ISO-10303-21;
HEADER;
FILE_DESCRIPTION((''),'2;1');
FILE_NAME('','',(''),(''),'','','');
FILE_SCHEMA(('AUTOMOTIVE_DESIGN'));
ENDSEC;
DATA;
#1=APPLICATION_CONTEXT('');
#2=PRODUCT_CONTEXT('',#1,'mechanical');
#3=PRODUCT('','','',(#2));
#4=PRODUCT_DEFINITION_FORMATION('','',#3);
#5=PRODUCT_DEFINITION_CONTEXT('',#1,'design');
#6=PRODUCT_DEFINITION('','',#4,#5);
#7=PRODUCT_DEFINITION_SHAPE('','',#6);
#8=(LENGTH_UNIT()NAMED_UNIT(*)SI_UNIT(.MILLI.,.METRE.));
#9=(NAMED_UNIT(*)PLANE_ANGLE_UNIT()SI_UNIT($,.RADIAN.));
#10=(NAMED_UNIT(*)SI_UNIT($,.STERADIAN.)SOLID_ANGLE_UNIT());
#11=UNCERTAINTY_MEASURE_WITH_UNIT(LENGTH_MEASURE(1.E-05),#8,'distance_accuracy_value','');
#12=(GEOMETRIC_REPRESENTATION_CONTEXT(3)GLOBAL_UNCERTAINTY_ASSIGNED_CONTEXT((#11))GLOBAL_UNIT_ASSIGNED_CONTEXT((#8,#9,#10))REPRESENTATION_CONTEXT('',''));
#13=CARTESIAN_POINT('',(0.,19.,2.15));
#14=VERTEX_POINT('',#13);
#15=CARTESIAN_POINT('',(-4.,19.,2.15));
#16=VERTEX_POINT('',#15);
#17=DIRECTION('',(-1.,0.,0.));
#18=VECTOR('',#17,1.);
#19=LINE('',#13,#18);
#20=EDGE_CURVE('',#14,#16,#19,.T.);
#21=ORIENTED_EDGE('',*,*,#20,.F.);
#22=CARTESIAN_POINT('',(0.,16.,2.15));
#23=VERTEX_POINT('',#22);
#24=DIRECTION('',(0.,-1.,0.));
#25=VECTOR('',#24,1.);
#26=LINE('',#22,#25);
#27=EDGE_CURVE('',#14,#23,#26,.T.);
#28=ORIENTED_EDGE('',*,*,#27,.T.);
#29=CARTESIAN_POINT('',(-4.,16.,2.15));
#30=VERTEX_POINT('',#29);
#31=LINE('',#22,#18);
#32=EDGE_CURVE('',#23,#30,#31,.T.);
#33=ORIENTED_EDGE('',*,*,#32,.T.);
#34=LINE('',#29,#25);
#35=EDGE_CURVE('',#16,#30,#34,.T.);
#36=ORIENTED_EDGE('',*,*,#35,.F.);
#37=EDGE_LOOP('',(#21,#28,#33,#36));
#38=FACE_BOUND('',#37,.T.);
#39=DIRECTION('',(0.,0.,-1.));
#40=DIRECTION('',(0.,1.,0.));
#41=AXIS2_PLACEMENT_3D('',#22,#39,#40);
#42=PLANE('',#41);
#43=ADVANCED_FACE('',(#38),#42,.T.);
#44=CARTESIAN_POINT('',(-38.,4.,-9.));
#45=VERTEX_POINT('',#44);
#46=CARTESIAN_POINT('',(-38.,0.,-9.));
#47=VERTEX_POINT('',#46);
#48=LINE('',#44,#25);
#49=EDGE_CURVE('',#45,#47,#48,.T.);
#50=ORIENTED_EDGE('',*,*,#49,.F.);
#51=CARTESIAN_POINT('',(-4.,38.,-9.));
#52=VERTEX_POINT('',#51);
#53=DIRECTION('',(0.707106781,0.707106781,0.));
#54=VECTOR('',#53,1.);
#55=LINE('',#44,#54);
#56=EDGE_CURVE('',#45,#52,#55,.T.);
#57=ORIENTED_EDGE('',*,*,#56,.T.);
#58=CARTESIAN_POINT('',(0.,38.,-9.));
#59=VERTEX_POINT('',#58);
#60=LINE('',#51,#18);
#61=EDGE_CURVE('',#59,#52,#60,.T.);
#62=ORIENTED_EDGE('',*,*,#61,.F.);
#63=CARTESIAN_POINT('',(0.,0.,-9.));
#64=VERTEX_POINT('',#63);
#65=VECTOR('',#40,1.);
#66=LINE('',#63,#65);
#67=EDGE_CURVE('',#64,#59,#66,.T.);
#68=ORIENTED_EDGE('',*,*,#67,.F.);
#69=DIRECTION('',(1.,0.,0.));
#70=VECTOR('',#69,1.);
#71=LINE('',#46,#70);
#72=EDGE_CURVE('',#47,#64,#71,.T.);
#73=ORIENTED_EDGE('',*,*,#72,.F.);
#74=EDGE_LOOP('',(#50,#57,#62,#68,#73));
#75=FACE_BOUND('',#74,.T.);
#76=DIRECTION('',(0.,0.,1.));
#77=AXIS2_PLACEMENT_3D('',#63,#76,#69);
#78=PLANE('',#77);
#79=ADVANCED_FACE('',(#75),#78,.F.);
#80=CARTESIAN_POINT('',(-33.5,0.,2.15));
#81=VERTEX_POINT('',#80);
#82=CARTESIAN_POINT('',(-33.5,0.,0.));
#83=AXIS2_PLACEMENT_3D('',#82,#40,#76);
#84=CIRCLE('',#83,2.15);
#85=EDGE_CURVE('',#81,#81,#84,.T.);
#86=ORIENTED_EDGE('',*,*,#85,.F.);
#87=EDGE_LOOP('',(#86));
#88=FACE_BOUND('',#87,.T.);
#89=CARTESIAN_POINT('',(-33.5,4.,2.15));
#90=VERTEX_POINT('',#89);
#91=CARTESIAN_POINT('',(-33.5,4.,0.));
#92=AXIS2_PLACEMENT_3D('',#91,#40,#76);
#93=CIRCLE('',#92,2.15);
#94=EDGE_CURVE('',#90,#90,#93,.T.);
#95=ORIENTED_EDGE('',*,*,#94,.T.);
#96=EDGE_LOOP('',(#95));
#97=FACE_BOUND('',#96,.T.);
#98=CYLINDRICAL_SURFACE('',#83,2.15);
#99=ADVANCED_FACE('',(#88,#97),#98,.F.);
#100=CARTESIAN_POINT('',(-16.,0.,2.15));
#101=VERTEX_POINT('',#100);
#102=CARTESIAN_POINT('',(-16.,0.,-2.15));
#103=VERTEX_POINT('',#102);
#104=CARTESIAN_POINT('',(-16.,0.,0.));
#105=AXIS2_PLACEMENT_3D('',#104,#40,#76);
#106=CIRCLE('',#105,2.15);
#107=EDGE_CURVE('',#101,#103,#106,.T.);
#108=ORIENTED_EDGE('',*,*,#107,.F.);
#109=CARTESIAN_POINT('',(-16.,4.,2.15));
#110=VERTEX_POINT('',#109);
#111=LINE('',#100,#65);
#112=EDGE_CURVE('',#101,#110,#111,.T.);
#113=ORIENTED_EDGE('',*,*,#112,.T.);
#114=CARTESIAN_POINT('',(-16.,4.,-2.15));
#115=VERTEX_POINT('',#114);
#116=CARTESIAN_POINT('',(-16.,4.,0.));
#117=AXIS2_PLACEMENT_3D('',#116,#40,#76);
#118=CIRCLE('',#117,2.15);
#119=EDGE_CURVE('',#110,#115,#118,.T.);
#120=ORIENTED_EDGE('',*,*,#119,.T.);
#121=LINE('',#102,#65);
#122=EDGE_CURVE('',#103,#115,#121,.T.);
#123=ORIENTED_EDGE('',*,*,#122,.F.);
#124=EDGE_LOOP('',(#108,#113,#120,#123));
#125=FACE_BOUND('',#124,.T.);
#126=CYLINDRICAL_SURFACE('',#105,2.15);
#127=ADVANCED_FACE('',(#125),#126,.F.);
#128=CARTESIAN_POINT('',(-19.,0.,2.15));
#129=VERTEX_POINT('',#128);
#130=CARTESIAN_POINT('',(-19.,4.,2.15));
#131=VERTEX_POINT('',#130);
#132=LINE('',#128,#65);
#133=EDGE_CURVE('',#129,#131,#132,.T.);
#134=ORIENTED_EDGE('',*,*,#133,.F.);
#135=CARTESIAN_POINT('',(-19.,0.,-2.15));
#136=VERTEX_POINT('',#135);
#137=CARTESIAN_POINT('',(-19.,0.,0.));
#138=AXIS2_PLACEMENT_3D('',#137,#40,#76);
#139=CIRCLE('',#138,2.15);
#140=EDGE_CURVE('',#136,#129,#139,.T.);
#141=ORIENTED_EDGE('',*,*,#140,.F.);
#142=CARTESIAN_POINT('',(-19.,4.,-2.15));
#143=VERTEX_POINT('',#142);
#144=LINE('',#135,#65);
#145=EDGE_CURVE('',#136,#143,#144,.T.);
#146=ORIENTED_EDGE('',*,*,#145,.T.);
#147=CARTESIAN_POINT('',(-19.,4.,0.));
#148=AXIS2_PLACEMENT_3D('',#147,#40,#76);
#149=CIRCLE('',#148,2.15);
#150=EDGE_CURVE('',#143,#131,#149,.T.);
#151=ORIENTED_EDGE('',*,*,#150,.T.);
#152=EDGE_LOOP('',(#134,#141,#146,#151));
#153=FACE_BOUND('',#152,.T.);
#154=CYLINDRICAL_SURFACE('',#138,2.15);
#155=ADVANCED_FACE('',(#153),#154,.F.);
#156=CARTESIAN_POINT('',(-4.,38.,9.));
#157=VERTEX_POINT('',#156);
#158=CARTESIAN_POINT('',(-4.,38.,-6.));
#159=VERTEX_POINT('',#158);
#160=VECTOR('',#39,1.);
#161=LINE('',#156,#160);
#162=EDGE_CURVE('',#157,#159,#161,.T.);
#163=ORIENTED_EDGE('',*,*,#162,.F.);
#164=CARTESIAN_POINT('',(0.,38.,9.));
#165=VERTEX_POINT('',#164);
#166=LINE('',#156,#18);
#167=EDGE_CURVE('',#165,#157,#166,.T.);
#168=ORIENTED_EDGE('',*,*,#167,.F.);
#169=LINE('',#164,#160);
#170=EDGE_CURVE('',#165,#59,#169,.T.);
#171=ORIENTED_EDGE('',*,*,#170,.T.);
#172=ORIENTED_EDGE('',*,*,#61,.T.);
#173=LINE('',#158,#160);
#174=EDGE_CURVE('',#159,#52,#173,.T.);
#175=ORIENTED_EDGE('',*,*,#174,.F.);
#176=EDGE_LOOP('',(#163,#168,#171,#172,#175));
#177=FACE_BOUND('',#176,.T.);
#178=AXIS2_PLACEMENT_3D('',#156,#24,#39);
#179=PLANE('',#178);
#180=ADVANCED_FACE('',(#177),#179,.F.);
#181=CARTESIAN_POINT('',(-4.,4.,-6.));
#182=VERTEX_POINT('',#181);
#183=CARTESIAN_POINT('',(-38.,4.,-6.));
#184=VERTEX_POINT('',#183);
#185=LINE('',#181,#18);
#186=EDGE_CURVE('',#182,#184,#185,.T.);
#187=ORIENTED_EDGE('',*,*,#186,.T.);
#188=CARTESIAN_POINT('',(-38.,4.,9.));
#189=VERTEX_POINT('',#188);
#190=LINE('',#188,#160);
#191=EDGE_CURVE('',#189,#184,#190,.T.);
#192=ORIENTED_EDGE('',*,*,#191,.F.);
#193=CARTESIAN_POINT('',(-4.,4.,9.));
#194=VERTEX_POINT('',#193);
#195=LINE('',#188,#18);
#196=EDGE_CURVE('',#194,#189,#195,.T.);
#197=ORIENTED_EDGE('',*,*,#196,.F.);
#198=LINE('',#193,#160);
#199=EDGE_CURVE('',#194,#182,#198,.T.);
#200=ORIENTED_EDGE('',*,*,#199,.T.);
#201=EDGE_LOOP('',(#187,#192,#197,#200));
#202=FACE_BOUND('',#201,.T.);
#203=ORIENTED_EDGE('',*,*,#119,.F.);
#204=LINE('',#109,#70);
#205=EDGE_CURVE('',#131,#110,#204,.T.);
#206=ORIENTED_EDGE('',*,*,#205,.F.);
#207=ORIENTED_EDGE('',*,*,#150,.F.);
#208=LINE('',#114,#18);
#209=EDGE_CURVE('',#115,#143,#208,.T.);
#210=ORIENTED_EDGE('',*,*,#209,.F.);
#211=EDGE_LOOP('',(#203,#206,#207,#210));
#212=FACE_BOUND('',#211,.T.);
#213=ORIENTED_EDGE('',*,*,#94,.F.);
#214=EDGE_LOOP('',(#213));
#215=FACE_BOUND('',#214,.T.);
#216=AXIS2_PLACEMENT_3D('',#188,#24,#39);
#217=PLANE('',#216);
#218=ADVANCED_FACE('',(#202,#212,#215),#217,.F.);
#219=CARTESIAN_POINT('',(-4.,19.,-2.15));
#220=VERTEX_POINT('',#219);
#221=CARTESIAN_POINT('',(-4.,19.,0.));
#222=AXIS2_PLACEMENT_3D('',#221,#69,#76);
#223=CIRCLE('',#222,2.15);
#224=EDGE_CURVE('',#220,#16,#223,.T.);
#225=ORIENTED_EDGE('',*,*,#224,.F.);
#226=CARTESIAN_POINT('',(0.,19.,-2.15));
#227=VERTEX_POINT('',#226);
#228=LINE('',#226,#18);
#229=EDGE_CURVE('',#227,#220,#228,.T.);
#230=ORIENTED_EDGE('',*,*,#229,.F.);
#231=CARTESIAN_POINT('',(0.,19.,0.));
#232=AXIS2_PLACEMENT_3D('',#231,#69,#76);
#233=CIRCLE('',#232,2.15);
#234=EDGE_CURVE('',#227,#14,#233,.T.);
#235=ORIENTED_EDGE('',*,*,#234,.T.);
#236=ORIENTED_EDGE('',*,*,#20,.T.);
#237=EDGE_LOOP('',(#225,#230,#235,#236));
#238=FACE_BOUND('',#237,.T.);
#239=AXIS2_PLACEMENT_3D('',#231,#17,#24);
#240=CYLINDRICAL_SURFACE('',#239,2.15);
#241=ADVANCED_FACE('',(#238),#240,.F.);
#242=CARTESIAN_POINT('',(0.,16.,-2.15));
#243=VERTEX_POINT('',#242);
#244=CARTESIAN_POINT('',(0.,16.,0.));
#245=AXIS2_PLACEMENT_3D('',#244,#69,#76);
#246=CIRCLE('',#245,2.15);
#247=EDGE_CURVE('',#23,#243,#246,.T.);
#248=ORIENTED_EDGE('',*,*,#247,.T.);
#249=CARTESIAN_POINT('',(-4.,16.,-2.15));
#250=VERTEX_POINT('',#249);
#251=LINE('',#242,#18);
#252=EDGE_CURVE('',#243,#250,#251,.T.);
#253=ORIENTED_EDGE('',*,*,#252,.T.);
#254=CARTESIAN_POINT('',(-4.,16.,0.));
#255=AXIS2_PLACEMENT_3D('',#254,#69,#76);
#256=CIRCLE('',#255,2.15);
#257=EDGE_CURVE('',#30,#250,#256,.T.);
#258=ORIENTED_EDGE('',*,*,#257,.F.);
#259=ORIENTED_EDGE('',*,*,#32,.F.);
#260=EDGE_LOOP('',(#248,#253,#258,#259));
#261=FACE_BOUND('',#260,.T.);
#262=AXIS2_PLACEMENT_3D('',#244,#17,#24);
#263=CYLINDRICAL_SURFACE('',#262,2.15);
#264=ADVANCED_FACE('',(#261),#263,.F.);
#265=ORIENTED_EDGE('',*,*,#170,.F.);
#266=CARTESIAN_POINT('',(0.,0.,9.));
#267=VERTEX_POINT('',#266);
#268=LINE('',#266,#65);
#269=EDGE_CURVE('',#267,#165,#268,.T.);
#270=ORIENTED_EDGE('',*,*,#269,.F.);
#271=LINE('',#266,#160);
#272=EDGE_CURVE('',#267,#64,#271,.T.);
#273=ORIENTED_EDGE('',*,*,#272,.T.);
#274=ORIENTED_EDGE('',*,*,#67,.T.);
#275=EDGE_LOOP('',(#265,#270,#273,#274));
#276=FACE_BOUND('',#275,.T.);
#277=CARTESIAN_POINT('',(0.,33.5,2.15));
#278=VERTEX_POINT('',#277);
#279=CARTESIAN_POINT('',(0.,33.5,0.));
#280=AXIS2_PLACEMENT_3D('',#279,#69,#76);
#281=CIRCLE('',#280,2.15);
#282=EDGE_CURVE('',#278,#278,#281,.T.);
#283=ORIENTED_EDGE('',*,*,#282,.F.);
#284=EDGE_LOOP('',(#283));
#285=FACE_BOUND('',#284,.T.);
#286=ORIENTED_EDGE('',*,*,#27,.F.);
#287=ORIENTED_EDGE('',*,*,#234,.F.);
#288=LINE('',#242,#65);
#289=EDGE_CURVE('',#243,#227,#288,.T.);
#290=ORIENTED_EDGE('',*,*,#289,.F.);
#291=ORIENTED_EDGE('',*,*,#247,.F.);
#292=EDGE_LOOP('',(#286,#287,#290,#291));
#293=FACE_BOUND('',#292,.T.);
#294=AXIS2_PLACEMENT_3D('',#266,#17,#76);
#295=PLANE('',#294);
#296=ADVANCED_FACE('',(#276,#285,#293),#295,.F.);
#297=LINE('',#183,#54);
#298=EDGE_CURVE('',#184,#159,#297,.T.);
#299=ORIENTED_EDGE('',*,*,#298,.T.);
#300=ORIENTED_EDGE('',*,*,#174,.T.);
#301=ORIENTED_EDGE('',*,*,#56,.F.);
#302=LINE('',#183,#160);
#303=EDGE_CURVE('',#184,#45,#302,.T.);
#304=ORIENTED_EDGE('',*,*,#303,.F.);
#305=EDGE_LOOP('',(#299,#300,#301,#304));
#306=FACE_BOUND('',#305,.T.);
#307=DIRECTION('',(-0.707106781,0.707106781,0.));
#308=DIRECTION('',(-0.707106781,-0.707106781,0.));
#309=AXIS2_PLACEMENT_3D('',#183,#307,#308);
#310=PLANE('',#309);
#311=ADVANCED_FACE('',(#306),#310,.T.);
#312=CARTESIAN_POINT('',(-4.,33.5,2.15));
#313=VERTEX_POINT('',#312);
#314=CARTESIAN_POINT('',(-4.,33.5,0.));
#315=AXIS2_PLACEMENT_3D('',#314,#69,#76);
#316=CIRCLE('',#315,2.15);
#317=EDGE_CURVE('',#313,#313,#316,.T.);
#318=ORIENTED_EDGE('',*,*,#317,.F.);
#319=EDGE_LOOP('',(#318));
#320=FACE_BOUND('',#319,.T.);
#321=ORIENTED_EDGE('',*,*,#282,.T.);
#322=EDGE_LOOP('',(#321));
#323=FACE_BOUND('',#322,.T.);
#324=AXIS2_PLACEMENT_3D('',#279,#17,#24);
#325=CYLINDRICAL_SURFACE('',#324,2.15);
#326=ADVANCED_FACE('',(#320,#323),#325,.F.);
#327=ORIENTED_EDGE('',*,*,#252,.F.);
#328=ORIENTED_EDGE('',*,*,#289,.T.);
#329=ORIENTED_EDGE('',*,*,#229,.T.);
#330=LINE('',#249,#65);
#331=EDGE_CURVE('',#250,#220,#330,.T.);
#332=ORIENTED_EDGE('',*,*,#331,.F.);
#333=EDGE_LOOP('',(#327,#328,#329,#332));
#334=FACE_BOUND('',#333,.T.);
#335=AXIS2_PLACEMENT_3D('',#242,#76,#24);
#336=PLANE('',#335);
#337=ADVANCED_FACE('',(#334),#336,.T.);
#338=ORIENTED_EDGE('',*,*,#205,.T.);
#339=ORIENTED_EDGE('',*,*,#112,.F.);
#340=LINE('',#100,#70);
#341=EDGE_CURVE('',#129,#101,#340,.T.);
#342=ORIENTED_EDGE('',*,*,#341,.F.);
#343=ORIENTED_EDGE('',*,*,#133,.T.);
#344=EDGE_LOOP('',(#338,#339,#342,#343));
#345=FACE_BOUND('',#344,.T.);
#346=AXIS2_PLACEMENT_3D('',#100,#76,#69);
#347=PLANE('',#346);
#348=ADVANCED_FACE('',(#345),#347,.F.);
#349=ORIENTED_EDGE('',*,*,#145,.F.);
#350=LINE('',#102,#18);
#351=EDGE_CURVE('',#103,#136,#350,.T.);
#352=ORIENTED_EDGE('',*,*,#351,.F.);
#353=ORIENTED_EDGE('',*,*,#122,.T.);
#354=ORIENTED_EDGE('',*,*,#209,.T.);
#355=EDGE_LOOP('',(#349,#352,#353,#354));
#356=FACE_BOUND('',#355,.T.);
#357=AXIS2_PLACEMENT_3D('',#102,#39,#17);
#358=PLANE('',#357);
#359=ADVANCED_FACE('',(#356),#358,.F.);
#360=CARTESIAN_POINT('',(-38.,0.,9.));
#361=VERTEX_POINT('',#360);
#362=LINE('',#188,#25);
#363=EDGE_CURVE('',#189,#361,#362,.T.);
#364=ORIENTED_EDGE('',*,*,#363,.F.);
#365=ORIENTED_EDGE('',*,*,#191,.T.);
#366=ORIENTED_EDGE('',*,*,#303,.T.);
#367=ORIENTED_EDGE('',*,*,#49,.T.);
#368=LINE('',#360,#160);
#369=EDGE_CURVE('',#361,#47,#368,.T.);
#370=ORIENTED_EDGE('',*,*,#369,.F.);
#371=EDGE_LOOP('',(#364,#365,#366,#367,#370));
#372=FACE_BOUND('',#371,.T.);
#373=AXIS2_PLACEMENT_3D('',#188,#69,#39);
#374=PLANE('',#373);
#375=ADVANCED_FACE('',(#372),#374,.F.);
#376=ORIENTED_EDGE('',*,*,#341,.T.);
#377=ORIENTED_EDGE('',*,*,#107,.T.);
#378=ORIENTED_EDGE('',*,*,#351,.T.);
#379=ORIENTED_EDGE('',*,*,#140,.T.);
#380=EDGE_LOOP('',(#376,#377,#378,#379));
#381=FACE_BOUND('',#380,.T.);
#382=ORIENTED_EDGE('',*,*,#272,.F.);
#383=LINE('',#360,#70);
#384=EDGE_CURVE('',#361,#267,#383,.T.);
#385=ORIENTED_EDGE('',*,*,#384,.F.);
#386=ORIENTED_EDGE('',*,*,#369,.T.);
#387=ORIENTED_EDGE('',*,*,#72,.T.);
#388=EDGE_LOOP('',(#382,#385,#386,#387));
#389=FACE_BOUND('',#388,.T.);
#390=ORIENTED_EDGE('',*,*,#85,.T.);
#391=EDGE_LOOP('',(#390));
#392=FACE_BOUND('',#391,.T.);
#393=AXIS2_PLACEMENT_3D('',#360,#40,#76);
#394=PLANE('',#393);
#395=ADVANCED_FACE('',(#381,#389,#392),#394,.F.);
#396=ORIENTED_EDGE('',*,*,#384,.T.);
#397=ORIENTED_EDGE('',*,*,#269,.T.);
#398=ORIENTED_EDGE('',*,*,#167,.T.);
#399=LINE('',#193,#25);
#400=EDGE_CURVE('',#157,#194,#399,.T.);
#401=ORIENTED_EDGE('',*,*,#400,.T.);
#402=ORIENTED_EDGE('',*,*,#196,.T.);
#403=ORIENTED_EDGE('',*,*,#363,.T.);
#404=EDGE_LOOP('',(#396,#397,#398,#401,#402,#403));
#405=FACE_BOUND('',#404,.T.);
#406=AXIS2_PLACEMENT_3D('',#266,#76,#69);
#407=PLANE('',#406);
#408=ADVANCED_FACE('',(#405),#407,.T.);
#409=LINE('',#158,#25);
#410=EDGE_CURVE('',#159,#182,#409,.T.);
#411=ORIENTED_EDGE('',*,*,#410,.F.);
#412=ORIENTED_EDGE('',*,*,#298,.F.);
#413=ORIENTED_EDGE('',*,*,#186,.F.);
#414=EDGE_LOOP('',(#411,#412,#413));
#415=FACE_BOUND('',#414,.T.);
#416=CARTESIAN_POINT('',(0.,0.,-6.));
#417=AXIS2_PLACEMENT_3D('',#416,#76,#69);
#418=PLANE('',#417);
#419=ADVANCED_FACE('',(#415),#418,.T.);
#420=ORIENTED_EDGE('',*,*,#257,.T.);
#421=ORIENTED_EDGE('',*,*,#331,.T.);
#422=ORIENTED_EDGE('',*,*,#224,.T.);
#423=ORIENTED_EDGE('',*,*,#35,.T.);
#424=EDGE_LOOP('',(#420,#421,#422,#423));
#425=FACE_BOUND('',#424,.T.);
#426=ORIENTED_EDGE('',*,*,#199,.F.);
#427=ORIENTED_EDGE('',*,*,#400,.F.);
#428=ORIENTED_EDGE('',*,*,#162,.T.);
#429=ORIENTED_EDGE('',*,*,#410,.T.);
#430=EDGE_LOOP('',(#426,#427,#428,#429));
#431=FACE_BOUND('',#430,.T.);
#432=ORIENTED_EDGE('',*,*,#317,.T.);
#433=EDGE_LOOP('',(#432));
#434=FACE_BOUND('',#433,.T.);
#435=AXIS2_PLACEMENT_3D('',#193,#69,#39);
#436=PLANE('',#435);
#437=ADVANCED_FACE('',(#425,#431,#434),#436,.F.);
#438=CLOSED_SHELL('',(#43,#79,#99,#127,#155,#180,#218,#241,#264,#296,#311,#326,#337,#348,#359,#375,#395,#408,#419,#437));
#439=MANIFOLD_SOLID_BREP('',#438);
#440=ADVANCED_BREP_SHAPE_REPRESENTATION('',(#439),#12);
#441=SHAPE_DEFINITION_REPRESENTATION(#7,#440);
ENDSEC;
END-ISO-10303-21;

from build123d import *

# Parameters (mm, degrees)
EXTRUDE_1_DEPTH     = 9
EXTRUDE_2_DEPTH     = 3
SKETCH_4_R          = 2.15
CUT_EXTRUDE_1_DEPTH = 52.778373864


with BuildPart() as part:
    # 草图1 → 凸台-拉伸1 (new, symmetric)
    with BuildSketch(Plane.XY):
        Polygon((-38, 0), (0, 0), (0, 38), (-4, 38), (-4, 4), (-38, 4), align=None)
    extrude(amount=EXTRUDE_1_DEPTH, both=True)

    # 草图3 → 凸台-拉伸2 (add)
    with BuildSketch(Plane(origin=(0, 0, -9), x_dir=(-1, 0, 0), z_dir=(0, 0, -1))):
        Polygon((38, 4), (4, 38), (4, 4), align=None)
    extrude(amount=-EXTRUDE_2_DEPTH)

    # 草图4 → 切除-拉伸1 (cut, through all)
    with BuildSketch(Plane(origin=(0, 4, 0), x_dir=(1, 0, 0), z_dir=(0, 1, 0))):
        with Locations(Location((-33.5, 0, 0), (0, 0, 270))):
            Circle(SKETCH_4_R)
        with BuildLine():
            Line((-16, -2.15), (-19, -2.15))
            ThreePointArc((-19, -2.15), (-21.15, 0), (-19, 2.15))
            Line((-19, 2.15), (-16, 2.15))
            ThreePointArc((-16, 2.15), (-13.85, 0), (-16, -2.15))
        make_face()
    cut_extrude_1 = extrude(amount=-CUT_EXTRUDE_1_DEPTH, mode=Mode.SUBTRACT)

    # 镜向1: 切除-拉伸1 across plane
    add(cut_extrude_1.mirror(Plane(origin=(0, 0, 0), x_dir=(0, 0, 1), z_dir=(-0.7071067811865477, -0.7071067811865475, 0))), mode=Mode.SUBTRACT)


solid = part.part
